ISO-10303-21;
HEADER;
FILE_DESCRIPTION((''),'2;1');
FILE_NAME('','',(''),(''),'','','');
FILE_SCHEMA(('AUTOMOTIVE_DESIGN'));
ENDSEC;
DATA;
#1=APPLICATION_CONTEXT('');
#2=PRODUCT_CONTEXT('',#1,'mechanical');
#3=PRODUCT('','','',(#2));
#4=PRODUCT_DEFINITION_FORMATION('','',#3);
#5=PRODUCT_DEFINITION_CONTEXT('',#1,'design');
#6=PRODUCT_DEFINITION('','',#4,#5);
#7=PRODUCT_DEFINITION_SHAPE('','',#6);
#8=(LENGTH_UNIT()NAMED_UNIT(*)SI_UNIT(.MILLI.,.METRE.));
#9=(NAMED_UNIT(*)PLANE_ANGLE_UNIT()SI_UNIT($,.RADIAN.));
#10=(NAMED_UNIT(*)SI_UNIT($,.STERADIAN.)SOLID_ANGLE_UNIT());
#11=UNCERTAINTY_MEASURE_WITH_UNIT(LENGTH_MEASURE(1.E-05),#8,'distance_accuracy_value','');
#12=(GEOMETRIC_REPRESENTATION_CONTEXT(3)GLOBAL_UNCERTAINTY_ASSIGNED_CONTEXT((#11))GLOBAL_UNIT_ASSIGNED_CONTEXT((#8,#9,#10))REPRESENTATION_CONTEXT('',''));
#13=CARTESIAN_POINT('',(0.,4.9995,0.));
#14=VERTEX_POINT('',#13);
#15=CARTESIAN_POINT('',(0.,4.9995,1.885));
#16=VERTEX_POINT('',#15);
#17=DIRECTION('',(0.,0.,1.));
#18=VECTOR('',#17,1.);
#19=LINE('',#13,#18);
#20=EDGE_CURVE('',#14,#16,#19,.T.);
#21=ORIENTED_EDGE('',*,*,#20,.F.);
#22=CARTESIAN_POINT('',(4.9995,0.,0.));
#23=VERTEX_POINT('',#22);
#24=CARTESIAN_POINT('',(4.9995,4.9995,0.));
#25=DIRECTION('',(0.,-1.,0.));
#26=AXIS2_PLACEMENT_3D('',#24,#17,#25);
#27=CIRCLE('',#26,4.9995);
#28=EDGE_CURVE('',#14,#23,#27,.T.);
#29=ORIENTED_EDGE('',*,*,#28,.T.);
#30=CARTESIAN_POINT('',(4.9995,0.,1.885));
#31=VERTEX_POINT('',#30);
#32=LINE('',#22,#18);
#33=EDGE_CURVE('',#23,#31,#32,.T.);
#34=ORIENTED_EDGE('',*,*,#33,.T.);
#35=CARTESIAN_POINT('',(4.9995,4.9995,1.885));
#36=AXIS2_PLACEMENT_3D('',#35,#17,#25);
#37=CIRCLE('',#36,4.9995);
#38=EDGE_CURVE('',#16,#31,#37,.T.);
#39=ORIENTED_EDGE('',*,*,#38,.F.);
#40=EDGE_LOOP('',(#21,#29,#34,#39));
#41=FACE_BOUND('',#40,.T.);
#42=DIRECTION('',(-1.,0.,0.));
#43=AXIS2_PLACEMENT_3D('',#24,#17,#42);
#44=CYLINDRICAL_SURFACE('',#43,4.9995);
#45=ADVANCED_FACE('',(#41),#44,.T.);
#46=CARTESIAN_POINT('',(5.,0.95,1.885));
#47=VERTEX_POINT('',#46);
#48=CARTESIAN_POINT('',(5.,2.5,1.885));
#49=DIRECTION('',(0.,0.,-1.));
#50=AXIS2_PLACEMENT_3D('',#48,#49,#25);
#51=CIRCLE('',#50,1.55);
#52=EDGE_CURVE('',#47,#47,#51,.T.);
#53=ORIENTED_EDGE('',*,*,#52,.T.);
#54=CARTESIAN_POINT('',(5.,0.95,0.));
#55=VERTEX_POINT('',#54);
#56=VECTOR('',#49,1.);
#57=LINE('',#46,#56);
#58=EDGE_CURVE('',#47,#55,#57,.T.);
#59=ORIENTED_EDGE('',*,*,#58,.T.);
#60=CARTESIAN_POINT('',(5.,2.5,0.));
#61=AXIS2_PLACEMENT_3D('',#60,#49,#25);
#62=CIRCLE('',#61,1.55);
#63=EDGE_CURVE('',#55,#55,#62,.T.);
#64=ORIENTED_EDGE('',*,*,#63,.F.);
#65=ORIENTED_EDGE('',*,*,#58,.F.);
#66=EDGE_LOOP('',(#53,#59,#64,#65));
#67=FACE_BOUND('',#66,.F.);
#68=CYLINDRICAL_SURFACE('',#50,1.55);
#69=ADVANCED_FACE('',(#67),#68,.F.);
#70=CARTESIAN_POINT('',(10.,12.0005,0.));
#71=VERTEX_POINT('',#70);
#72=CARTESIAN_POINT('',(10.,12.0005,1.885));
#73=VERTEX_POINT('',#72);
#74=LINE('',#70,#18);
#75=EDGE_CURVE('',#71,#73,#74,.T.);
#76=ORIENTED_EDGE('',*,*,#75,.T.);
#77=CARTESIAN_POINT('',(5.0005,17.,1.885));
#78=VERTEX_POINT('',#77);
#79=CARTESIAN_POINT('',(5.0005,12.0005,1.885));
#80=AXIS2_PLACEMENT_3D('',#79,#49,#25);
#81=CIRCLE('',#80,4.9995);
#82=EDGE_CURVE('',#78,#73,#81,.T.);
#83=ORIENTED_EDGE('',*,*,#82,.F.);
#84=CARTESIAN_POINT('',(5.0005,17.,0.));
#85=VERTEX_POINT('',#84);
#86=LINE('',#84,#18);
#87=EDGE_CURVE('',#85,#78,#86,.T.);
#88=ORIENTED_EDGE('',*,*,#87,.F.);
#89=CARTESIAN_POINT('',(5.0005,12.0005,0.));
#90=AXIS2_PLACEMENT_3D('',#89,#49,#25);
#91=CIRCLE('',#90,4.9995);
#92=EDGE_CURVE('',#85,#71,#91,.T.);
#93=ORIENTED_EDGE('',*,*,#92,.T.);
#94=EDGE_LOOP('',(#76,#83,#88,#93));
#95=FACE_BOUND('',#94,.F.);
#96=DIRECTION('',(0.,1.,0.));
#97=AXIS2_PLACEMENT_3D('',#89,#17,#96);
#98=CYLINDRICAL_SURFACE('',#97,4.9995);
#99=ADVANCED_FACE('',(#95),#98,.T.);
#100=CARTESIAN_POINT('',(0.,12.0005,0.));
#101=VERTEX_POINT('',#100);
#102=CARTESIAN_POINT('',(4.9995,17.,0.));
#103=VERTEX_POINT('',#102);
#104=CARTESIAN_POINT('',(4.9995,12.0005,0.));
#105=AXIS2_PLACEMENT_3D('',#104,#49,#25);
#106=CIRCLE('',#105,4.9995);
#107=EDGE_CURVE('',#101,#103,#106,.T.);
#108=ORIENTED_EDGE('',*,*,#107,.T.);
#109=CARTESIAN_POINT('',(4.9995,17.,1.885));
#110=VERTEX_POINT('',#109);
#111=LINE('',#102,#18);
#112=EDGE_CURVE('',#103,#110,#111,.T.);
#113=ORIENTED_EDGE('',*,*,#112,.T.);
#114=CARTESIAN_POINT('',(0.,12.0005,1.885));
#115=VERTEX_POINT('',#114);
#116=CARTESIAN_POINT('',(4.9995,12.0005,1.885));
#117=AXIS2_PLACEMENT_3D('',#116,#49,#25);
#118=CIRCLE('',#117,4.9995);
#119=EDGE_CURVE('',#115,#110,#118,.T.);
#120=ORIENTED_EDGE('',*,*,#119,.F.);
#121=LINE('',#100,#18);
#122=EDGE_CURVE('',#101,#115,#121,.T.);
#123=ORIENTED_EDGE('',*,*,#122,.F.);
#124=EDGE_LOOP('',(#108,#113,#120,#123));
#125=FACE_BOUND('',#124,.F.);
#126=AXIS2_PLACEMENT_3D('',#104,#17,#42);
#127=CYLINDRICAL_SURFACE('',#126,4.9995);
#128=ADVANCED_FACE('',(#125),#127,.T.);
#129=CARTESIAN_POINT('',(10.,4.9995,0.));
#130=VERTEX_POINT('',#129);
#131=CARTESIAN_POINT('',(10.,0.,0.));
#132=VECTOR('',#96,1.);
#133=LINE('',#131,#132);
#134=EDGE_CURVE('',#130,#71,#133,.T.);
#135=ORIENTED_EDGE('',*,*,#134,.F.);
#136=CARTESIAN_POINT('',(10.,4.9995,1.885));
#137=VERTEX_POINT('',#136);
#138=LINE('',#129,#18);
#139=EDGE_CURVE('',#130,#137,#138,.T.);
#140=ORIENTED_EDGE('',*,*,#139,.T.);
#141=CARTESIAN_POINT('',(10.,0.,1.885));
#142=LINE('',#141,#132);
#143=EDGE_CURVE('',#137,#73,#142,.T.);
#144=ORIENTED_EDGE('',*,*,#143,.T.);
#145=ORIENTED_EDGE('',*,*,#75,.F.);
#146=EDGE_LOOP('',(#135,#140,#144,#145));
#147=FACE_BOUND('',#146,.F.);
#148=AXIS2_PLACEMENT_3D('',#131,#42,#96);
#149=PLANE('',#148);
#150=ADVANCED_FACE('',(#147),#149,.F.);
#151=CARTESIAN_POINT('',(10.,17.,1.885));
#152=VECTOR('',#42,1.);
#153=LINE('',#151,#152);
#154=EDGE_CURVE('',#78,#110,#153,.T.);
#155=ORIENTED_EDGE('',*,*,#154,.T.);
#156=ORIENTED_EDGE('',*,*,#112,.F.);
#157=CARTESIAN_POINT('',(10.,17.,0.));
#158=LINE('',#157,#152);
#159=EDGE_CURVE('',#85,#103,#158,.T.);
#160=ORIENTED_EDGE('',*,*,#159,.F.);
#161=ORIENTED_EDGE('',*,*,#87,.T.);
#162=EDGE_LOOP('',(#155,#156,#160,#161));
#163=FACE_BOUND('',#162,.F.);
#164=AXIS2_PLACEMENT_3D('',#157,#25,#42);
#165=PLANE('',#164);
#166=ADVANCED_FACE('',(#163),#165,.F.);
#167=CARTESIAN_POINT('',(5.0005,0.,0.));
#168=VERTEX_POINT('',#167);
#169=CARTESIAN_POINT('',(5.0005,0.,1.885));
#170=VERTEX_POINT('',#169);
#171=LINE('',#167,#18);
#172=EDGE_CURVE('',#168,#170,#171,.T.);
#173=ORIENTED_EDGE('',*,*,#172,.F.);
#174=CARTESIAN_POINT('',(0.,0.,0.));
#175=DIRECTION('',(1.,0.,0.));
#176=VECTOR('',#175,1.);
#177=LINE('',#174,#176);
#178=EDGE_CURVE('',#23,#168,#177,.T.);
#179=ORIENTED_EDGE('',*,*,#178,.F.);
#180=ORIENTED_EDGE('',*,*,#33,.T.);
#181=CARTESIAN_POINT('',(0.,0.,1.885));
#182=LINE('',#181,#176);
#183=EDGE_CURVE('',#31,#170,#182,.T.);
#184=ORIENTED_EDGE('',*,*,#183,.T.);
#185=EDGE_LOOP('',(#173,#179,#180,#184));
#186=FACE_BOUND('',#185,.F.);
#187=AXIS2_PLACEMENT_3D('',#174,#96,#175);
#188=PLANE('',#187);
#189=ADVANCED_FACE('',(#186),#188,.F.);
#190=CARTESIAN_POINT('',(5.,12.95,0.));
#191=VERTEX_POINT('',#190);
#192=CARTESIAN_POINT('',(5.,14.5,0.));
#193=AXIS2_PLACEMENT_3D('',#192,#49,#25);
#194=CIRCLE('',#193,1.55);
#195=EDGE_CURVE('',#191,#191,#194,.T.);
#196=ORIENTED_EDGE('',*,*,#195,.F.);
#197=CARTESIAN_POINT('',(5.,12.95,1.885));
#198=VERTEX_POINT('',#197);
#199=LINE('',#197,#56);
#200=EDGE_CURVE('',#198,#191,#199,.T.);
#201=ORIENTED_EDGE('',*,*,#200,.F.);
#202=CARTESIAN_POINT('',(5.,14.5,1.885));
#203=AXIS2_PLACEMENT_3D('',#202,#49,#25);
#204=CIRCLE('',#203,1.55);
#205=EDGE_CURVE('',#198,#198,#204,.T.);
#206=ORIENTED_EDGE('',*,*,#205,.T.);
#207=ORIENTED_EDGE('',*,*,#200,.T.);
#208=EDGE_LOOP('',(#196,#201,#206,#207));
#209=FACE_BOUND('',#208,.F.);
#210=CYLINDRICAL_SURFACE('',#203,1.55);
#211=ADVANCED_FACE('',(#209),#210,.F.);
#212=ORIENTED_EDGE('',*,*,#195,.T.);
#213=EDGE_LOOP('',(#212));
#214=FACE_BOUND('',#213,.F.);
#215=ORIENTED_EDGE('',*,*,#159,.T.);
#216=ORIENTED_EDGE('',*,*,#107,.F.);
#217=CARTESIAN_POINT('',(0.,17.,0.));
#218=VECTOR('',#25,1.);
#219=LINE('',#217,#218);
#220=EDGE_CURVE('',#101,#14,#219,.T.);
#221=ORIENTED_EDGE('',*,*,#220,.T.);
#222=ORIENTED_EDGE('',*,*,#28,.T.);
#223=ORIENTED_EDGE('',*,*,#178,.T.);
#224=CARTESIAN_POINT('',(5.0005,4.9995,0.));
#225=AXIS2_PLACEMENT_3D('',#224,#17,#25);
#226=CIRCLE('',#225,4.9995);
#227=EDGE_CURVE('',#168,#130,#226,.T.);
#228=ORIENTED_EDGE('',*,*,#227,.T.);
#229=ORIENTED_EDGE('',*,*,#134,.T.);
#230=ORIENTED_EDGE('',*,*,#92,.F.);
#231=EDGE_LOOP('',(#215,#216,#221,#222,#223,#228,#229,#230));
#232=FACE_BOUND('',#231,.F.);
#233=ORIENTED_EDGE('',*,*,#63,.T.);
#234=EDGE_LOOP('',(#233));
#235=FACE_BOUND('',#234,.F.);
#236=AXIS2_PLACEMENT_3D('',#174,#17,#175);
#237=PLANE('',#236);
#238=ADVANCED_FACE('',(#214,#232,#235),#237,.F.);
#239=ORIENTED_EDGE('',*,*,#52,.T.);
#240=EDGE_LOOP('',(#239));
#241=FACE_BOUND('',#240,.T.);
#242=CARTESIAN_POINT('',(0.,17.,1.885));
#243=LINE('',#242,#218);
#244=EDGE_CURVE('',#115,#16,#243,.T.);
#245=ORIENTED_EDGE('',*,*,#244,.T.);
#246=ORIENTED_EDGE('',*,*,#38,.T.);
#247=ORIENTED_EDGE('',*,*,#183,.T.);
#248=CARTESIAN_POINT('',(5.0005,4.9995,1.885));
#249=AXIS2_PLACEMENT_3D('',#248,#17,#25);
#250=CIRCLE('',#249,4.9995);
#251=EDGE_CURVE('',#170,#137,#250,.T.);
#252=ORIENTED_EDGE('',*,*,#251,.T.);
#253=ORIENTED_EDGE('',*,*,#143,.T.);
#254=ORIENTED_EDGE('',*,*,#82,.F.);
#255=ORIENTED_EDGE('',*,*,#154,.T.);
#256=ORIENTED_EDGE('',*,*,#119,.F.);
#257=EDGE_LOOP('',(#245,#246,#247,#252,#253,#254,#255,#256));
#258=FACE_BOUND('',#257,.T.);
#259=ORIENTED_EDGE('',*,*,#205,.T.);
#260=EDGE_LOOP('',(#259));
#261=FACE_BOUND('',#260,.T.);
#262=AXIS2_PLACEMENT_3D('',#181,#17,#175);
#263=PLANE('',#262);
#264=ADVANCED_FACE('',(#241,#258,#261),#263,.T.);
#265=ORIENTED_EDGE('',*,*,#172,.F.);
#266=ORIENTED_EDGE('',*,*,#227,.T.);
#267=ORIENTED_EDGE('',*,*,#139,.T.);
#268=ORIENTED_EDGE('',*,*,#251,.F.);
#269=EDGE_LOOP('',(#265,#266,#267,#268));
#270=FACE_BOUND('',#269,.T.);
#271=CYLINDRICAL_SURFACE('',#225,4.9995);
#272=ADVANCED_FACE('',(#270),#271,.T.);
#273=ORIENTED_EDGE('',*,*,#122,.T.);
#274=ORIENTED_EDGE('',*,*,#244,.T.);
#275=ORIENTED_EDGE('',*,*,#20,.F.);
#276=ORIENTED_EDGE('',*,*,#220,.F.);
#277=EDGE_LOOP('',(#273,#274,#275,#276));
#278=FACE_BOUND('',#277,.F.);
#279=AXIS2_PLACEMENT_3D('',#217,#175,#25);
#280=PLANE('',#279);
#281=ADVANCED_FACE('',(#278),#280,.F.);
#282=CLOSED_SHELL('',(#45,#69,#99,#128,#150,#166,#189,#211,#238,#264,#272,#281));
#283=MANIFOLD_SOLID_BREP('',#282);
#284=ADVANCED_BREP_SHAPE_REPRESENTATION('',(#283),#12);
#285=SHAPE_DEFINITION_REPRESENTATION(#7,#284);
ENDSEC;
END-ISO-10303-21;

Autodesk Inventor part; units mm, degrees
ref_plane "YZ Plane" through (0, 0, 0) normal (1, 0, 0) x (0, 1, 0)
ref_plane "XZ Plane" through (0, 0, 0) normal (0, 1, 0) x (-1, 0, 0)
ref_plane "XY Plane" through (0, 0, 0) normal (0, 0, 1) x (1, 0, 0)
sketch "スケッチ1" plane through (0, 0, 0) normal (0, 0, 1) x (1, 0, 0)
  line L0 (0, 0) -> (10, 0)
  line L1 (10, 0) -> (10, 17)
  line L2 (10, 17) -> (0, 17)
  line L3 (0, 17) -> (0, 0)
  dimension "d0" = 17
  dimension "d1" = 10
extrude "押し出し1" add sketch "スケッチ1" along normal blind 1.885
sketch "スケッチ2" plane through (0, 0, 1.885) normal (0, 0, 1) x (1, 0, 0)
  line L0 (0, 17) -> (0, 0) projected
  line L1 (0, 8.5) -> (10, 8.5)
  line L2 (10, 0) -> (10, 17) projected
  line L3 (10, 17) -> (0, 17) projected
  line L4 (5, 17) -> (5, 0)
  line L5 (0, 0) -> (10, 0) projected
  line L6 (0, 17) -> (10, 17)
  point P0 (5, 14.5)
  point P1 (5, 2.5)
  dimension "d4" = 6
hole "穴1" at (5, 14.5, 1.885) at (5, 2.5, 1.885) direction (0, 0, -1) diameter 3.1 end through all
fillet "フィレット1" radius 5 4 edges at (0, 17, 0.9425) (10, 17, 0.9425) (10, 0, 0.9425) (0, 0, 0.9425)
properties part number "link2part4"
